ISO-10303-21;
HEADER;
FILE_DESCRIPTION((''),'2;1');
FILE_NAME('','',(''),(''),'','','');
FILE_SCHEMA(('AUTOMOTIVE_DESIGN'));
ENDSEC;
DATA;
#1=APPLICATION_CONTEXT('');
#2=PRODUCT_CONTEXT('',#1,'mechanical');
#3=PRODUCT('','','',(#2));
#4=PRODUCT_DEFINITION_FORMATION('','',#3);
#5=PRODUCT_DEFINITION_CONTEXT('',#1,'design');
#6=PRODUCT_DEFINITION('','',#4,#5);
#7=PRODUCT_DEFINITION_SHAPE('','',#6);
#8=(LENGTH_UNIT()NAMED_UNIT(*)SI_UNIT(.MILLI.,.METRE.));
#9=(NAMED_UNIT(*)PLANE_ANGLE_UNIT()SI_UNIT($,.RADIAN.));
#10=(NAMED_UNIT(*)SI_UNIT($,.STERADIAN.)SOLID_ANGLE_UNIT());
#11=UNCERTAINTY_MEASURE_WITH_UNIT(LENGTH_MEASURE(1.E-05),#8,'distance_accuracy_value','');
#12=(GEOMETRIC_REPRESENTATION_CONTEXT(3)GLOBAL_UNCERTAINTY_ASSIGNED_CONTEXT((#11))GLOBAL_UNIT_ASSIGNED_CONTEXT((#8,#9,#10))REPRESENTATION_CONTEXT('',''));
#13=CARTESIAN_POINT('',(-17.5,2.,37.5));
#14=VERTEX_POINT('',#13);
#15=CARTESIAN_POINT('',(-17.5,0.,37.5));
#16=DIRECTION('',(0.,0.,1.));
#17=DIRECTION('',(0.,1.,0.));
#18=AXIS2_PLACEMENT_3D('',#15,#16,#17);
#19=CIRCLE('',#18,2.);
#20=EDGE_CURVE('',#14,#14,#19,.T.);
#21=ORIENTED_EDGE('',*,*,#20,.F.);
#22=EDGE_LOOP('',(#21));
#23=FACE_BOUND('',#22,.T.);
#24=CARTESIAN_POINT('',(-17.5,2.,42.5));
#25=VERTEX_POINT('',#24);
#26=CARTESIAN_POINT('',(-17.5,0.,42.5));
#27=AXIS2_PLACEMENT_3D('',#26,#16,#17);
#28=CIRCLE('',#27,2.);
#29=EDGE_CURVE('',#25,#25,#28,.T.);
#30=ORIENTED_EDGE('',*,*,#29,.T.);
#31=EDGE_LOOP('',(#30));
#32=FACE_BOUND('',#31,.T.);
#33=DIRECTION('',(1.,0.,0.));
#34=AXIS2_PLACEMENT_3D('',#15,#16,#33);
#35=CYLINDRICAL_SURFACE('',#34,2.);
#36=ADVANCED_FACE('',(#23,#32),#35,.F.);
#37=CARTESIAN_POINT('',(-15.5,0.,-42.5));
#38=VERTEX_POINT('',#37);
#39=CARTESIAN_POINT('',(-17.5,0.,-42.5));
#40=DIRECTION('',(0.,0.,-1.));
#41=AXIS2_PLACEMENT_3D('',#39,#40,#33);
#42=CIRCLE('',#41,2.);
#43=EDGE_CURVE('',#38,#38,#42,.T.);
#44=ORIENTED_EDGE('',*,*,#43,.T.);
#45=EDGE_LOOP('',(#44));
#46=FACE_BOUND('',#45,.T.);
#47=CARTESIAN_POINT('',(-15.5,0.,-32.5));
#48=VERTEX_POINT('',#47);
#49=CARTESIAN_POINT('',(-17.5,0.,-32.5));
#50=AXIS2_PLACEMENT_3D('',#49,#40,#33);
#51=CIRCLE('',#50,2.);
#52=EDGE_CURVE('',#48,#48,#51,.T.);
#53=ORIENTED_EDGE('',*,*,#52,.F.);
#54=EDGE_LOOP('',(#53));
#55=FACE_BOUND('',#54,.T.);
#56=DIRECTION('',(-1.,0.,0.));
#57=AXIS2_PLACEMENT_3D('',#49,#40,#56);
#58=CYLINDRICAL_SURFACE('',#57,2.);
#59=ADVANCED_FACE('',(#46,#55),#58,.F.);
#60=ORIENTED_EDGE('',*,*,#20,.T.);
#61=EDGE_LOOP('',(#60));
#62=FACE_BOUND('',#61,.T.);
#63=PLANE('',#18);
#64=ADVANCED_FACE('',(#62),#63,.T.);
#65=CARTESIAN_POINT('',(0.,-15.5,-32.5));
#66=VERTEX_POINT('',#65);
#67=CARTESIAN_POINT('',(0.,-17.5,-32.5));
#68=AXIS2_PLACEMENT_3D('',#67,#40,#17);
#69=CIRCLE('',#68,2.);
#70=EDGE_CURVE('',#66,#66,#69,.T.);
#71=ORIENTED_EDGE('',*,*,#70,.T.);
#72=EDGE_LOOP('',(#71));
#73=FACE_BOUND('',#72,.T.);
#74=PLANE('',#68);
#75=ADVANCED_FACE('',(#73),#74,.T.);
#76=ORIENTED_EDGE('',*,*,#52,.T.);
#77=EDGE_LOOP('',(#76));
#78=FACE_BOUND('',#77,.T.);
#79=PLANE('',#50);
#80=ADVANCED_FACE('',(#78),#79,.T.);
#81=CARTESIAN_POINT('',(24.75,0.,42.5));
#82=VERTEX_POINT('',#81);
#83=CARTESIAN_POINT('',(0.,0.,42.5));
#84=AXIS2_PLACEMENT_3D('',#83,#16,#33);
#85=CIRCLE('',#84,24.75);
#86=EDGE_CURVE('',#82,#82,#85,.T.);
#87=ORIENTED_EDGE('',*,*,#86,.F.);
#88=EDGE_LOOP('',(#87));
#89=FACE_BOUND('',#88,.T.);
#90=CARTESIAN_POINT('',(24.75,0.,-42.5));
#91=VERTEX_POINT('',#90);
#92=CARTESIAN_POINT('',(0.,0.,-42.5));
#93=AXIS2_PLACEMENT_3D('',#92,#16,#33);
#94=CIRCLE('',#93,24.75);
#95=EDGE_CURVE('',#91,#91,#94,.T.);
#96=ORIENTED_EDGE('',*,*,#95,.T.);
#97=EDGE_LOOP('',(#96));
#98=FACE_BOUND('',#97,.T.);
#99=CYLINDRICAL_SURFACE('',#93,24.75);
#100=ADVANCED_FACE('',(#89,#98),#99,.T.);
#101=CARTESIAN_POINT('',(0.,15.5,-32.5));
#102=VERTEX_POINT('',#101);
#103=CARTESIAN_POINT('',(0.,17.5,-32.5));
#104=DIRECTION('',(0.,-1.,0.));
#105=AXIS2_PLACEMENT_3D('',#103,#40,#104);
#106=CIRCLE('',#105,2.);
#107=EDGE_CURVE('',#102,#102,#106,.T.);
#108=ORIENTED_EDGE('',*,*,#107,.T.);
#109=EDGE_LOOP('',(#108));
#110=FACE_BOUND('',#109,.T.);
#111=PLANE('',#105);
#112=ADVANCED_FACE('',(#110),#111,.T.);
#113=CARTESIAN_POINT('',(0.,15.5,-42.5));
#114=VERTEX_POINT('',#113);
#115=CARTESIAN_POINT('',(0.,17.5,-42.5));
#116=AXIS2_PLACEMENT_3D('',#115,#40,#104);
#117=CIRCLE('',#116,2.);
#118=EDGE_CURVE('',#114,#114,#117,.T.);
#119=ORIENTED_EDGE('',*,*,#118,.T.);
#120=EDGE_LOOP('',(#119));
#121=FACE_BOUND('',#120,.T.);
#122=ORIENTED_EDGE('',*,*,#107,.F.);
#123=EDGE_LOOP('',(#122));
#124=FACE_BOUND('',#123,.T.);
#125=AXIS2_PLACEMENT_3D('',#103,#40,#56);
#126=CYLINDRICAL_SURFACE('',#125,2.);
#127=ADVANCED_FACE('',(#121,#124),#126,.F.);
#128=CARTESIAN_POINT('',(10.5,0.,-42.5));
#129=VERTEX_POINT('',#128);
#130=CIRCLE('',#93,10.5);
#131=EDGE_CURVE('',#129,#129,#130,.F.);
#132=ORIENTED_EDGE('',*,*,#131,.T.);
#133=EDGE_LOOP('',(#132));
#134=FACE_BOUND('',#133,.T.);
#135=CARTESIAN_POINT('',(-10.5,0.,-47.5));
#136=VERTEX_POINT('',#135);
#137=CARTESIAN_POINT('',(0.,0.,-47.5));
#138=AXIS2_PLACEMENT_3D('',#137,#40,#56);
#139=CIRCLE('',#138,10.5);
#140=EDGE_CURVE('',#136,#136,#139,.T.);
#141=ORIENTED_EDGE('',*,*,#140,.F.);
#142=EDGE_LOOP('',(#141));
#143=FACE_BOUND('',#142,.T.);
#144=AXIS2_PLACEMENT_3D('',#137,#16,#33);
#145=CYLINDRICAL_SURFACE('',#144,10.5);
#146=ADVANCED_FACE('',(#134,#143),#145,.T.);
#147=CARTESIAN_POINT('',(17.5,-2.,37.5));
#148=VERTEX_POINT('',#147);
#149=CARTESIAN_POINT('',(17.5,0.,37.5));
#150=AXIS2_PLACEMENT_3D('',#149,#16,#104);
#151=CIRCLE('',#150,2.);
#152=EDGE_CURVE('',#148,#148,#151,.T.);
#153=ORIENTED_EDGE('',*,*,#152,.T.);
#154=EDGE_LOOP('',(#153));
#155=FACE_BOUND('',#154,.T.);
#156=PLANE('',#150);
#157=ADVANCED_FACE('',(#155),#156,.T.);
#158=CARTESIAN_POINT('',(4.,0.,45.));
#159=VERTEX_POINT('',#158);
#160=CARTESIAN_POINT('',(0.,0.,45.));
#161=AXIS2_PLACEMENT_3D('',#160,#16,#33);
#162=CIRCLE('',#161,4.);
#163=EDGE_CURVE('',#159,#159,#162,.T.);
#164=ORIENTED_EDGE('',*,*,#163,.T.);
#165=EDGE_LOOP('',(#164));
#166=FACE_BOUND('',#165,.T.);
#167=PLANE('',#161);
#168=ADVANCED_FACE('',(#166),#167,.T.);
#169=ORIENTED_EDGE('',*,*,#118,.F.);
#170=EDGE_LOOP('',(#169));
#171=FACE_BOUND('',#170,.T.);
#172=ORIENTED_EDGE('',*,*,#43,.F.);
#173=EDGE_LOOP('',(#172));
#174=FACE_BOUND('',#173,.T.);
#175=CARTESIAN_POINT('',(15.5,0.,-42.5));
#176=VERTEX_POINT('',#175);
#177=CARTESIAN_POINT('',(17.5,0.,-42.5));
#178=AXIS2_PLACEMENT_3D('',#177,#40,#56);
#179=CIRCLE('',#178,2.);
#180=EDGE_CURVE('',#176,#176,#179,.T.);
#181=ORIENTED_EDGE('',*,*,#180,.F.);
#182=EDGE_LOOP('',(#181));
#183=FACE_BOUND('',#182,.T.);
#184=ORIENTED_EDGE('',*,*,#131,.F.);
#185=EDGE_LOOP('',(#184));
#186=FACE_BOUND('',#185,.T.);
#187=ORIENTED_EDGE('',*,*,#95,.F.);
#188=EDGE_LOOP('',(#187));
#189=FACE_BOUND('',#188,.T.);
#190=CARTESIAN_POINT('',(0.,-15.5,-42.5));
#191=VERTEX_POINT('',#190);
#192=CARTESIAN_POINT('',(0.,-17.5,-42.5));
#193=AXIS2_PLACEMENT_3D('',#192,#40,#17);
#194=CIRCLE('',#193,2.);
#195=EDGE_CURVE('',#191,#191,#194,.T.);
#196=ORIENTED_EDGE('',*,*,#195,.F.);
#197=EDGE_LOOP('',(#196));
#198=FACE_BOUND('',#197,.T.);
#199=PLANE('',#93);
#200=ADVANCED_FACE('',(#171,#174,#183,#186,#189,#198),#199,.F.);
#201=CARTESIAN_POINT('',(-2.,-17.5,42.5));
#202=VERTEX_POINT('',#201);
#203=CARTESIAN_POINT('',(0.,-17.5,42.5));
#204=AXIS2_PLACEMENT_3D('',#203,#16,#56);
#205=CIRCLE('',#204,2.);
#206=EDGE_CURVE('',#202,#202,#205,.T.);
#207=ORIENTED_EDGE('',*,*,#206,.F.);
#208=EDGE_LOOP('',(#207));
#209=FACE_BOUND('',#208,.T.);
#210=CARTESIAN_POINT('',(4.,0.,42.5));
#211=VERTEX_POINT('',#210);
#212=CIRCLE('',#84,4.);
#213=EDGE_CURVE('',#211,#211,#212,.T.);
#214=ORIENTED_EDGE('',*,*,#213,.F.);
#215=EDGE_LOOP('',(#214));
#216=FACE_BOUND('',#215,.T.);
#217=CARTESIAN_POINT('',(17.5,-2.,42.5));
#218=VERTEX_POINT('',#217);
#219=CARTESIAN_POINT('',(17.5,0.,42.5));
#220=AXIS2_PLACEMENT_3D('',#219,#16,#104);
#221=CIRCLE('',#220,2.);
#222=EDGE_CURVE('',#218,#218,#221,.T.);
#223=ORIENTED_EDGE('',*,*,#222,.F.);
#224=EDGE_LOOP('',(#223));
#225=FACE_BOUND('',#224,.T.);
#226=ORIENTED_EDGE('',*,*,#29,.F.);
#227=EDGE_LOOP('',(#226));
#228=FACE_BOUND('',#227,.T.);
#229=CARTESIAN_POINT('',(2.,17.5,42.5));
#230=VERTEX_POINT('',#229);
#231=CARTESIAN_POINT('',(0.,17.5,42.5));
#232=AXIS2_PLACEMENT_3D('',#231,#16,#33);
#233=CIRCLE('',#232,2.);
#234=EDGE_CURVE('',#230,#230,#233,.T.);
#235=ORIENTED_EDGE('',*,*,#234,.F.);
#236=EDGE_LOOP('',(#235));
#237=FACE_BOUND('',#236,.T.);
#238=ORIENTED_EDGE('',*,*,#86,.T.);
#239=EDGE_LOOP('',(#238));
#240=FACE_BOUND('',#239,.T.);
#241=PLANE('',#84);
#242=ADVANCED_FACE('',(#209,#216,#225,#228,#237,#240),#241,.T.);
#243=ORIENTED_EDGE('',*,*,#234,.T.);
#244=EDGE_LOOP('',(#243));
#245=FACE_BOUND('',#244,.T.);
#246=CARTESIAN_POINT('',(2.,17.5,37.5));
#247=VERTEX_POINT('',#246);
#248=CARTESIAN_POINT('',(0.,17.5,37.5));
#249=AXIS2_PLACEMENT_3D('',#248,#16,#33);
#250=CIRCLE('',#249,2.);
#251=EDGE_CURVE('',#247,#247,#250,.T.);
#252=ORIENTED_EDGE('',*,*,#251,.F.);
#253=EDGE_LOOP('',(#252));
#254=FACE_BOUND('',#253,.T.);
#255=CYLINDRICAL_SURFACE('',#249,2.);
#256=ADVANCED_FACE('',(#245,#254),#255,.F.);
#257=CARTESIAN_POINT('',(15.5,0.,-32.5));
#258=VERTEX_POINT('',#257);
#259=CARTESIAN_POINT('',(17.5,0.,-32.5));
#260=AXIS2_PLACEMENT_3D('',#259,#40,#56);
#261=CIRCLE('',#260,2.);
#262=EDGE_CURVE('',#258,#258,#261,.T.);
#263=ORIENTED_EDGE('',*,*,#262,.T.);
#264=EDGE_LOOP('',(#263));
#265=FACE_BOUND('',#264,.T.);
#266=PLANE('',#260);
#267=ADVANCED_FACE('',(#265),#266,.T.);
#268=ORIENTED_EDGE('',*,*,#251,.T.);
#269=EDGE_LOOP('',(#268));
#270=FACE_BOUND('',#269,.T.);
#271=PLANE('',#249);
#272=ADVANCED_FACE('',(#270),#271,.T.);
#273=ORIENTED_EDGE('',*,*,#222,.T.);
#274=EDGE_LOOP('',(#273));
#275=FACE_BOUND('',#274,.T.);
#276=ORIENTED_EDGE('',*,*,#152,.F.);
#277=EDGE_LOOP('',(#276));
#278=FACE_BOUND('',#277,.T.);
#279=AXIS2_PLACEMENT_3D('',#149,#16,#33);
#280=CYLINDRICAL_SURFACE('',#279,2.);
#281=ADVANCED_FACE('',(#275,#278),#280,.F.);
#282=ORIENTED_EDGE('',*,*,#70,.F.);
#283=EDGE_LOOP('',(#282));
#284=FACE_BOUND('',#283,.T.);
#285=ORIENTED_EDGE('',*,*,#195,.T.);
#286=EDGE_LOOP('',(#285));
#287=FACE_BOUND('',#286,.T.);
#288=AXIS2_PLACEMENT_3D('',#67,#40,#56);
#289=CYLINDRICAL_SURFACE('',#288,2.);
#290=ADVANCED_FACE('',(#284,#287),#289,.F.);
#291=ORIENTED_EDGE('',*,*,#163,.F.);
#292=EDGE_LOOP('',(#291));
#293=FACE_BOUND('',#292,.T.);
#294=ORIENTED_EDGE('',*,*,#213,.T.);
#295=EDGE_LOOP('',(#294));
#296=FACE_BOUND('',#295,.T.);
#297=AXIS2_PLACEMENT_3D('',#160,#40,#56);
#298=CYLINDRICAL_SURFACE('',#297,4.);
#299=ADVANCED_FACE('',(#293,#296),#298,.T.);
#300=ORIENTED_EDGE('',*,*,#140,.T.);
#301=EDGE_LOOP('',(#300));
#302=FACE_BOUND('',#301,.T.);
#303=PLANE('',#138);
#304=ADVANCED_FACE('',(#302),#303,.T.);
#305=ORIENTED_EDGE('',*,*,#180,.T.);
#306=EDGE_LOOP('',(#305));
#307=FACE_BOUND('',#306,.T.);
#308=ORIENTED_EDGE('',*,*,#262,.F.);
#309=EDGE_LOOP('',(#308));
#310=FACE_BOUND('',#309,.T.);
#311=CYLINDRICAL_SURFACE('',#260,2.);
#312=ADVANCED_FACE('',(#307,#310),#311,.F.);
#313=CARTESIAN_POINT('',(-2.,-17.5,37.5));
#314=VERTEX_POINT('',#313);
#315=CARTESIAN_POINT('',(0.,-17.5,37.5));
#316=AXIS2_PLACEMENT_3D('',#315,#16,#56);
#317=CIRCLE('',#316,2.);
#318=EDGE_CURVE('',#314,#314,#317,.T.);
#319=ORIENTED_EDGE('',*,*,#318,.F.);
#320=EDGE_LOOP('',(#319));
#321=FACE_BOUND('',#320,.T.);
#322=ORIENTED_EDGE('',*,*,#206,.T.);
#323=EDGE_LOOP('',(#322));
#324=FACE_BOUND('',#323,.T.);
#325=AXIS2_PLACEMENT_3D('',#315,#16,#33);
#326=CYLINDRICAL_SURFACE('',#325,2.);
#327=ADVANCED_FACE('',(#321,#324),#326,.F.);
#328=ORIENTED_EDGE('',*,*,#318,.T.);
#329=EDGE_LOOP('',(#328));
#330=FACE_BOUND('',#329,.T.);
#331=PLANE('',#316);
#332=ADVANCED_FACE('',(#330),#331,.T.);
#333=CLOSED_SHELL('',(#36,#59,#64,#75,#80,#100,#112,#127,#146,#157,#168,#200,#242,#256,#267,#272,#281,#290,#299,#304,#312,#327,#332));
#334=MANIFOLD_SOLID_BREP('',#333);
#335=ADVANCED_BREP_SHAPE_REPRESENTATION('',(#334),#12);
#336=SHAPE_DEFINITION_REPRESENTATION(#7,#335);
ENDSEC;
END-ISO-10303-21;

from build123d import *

# Parameters (mm, degrees)
SKETCH1_R           = 24.75
BOSS_EXTRUDE1_DEPTH = 42.5
SKETCH2_R           = 4
BOSS_EXTRUDE2_DEPTH = 2.5
SKETCH6_R           = 2
CUT_EXTRUDE3_DEPTH  = 5
CIRPATTERN1_COUNT   = 4
SKETCH5_R           = 2
CUT_EXTRUDE2_DEPTH  = 10
CIRPATTERN2_COUNT   = 4
SKETCH7_R           = 10.5
BOSS_EXTRUDE3_DEPTH = 5


with BuildPart() as part:
    # Sketch1 → Boss-Extrude1 (new body, symmetric)
    with BuildSketch(Plane.XY):
        Circle(SKETCH1_R)
    extrude(amount=BOSS_EXTRUDE1_DEPTH, both=True)

    # Sketch2 → Boss-Extrude2 (add)
    with BuildSketch(Plane.XY.offset(42.5)):
        Circle(SKETCH2_R)
    extrude(amount=BOSS_EXTRUDE2_DEPTH)

    # Sketch6 → Cut-Extrude3 (cut)
    with BuildSketch(Plane.XY.offset(42.5)):
        with Locations((0, 17.5)):
            Circle(SKETCH6_R)
    cut_extrude3 = extrude(amount=-CUT_EXTRUDE3_DEPTH, mode=Mode.SUBTRACT)

    # CirPattern1: Cut-Extrude3 ×4 about axis
    cirpattern1_axis = Axis((0, 0, 0), (0, 0, 1))
    for i in range(1, CIRPATTERN1_COUNT):
        add(cut_extrude3.rotate(cirpattern1_axis, i * 360 / CIRPATTERN1_COUNT), mode=Mode.SUBTRACT)

    # Sketch5 → Cut-Extrude2 (cut)
    with BuildSketch(Plane(origin=(0, 0, -42.5), x_dir=(-1, 0, 0), z_dir=(0, 0, -1))):
        with Locations((-17.5, 0)):
            Circle(SKETCH5_R)
    cut_extrude2 = extrude(amount=-CUT_EXTRUDE2_DEPTH, mode=Mode.SUBTRACT)

    # CirPattern2: Cut-Extrude2 ×4 about axis
    cirpattern2_axis = Axis((0, 0, 0), (0, 0, 1))
    for i in range(1, CIRPATTERN2_COUNT):
        add(cut_extrude2.rotate(cirpattern2_axis, i * 360 / CIRPATTERN2_COUNT), mode=Mode.SUBTRACT)

    # Sketch7 → Boss-Extrude3 (add)
    with BuildSketch(Plane(origin=(0, 0, -42.5), x_dir=(-1, 0, 0), z_dir=(0, 0, -1))):
        Circle(SKETCH7_R)
    extrude(amount=BOSS_EXTRUDE3_DEPTH)


solid = part.part
